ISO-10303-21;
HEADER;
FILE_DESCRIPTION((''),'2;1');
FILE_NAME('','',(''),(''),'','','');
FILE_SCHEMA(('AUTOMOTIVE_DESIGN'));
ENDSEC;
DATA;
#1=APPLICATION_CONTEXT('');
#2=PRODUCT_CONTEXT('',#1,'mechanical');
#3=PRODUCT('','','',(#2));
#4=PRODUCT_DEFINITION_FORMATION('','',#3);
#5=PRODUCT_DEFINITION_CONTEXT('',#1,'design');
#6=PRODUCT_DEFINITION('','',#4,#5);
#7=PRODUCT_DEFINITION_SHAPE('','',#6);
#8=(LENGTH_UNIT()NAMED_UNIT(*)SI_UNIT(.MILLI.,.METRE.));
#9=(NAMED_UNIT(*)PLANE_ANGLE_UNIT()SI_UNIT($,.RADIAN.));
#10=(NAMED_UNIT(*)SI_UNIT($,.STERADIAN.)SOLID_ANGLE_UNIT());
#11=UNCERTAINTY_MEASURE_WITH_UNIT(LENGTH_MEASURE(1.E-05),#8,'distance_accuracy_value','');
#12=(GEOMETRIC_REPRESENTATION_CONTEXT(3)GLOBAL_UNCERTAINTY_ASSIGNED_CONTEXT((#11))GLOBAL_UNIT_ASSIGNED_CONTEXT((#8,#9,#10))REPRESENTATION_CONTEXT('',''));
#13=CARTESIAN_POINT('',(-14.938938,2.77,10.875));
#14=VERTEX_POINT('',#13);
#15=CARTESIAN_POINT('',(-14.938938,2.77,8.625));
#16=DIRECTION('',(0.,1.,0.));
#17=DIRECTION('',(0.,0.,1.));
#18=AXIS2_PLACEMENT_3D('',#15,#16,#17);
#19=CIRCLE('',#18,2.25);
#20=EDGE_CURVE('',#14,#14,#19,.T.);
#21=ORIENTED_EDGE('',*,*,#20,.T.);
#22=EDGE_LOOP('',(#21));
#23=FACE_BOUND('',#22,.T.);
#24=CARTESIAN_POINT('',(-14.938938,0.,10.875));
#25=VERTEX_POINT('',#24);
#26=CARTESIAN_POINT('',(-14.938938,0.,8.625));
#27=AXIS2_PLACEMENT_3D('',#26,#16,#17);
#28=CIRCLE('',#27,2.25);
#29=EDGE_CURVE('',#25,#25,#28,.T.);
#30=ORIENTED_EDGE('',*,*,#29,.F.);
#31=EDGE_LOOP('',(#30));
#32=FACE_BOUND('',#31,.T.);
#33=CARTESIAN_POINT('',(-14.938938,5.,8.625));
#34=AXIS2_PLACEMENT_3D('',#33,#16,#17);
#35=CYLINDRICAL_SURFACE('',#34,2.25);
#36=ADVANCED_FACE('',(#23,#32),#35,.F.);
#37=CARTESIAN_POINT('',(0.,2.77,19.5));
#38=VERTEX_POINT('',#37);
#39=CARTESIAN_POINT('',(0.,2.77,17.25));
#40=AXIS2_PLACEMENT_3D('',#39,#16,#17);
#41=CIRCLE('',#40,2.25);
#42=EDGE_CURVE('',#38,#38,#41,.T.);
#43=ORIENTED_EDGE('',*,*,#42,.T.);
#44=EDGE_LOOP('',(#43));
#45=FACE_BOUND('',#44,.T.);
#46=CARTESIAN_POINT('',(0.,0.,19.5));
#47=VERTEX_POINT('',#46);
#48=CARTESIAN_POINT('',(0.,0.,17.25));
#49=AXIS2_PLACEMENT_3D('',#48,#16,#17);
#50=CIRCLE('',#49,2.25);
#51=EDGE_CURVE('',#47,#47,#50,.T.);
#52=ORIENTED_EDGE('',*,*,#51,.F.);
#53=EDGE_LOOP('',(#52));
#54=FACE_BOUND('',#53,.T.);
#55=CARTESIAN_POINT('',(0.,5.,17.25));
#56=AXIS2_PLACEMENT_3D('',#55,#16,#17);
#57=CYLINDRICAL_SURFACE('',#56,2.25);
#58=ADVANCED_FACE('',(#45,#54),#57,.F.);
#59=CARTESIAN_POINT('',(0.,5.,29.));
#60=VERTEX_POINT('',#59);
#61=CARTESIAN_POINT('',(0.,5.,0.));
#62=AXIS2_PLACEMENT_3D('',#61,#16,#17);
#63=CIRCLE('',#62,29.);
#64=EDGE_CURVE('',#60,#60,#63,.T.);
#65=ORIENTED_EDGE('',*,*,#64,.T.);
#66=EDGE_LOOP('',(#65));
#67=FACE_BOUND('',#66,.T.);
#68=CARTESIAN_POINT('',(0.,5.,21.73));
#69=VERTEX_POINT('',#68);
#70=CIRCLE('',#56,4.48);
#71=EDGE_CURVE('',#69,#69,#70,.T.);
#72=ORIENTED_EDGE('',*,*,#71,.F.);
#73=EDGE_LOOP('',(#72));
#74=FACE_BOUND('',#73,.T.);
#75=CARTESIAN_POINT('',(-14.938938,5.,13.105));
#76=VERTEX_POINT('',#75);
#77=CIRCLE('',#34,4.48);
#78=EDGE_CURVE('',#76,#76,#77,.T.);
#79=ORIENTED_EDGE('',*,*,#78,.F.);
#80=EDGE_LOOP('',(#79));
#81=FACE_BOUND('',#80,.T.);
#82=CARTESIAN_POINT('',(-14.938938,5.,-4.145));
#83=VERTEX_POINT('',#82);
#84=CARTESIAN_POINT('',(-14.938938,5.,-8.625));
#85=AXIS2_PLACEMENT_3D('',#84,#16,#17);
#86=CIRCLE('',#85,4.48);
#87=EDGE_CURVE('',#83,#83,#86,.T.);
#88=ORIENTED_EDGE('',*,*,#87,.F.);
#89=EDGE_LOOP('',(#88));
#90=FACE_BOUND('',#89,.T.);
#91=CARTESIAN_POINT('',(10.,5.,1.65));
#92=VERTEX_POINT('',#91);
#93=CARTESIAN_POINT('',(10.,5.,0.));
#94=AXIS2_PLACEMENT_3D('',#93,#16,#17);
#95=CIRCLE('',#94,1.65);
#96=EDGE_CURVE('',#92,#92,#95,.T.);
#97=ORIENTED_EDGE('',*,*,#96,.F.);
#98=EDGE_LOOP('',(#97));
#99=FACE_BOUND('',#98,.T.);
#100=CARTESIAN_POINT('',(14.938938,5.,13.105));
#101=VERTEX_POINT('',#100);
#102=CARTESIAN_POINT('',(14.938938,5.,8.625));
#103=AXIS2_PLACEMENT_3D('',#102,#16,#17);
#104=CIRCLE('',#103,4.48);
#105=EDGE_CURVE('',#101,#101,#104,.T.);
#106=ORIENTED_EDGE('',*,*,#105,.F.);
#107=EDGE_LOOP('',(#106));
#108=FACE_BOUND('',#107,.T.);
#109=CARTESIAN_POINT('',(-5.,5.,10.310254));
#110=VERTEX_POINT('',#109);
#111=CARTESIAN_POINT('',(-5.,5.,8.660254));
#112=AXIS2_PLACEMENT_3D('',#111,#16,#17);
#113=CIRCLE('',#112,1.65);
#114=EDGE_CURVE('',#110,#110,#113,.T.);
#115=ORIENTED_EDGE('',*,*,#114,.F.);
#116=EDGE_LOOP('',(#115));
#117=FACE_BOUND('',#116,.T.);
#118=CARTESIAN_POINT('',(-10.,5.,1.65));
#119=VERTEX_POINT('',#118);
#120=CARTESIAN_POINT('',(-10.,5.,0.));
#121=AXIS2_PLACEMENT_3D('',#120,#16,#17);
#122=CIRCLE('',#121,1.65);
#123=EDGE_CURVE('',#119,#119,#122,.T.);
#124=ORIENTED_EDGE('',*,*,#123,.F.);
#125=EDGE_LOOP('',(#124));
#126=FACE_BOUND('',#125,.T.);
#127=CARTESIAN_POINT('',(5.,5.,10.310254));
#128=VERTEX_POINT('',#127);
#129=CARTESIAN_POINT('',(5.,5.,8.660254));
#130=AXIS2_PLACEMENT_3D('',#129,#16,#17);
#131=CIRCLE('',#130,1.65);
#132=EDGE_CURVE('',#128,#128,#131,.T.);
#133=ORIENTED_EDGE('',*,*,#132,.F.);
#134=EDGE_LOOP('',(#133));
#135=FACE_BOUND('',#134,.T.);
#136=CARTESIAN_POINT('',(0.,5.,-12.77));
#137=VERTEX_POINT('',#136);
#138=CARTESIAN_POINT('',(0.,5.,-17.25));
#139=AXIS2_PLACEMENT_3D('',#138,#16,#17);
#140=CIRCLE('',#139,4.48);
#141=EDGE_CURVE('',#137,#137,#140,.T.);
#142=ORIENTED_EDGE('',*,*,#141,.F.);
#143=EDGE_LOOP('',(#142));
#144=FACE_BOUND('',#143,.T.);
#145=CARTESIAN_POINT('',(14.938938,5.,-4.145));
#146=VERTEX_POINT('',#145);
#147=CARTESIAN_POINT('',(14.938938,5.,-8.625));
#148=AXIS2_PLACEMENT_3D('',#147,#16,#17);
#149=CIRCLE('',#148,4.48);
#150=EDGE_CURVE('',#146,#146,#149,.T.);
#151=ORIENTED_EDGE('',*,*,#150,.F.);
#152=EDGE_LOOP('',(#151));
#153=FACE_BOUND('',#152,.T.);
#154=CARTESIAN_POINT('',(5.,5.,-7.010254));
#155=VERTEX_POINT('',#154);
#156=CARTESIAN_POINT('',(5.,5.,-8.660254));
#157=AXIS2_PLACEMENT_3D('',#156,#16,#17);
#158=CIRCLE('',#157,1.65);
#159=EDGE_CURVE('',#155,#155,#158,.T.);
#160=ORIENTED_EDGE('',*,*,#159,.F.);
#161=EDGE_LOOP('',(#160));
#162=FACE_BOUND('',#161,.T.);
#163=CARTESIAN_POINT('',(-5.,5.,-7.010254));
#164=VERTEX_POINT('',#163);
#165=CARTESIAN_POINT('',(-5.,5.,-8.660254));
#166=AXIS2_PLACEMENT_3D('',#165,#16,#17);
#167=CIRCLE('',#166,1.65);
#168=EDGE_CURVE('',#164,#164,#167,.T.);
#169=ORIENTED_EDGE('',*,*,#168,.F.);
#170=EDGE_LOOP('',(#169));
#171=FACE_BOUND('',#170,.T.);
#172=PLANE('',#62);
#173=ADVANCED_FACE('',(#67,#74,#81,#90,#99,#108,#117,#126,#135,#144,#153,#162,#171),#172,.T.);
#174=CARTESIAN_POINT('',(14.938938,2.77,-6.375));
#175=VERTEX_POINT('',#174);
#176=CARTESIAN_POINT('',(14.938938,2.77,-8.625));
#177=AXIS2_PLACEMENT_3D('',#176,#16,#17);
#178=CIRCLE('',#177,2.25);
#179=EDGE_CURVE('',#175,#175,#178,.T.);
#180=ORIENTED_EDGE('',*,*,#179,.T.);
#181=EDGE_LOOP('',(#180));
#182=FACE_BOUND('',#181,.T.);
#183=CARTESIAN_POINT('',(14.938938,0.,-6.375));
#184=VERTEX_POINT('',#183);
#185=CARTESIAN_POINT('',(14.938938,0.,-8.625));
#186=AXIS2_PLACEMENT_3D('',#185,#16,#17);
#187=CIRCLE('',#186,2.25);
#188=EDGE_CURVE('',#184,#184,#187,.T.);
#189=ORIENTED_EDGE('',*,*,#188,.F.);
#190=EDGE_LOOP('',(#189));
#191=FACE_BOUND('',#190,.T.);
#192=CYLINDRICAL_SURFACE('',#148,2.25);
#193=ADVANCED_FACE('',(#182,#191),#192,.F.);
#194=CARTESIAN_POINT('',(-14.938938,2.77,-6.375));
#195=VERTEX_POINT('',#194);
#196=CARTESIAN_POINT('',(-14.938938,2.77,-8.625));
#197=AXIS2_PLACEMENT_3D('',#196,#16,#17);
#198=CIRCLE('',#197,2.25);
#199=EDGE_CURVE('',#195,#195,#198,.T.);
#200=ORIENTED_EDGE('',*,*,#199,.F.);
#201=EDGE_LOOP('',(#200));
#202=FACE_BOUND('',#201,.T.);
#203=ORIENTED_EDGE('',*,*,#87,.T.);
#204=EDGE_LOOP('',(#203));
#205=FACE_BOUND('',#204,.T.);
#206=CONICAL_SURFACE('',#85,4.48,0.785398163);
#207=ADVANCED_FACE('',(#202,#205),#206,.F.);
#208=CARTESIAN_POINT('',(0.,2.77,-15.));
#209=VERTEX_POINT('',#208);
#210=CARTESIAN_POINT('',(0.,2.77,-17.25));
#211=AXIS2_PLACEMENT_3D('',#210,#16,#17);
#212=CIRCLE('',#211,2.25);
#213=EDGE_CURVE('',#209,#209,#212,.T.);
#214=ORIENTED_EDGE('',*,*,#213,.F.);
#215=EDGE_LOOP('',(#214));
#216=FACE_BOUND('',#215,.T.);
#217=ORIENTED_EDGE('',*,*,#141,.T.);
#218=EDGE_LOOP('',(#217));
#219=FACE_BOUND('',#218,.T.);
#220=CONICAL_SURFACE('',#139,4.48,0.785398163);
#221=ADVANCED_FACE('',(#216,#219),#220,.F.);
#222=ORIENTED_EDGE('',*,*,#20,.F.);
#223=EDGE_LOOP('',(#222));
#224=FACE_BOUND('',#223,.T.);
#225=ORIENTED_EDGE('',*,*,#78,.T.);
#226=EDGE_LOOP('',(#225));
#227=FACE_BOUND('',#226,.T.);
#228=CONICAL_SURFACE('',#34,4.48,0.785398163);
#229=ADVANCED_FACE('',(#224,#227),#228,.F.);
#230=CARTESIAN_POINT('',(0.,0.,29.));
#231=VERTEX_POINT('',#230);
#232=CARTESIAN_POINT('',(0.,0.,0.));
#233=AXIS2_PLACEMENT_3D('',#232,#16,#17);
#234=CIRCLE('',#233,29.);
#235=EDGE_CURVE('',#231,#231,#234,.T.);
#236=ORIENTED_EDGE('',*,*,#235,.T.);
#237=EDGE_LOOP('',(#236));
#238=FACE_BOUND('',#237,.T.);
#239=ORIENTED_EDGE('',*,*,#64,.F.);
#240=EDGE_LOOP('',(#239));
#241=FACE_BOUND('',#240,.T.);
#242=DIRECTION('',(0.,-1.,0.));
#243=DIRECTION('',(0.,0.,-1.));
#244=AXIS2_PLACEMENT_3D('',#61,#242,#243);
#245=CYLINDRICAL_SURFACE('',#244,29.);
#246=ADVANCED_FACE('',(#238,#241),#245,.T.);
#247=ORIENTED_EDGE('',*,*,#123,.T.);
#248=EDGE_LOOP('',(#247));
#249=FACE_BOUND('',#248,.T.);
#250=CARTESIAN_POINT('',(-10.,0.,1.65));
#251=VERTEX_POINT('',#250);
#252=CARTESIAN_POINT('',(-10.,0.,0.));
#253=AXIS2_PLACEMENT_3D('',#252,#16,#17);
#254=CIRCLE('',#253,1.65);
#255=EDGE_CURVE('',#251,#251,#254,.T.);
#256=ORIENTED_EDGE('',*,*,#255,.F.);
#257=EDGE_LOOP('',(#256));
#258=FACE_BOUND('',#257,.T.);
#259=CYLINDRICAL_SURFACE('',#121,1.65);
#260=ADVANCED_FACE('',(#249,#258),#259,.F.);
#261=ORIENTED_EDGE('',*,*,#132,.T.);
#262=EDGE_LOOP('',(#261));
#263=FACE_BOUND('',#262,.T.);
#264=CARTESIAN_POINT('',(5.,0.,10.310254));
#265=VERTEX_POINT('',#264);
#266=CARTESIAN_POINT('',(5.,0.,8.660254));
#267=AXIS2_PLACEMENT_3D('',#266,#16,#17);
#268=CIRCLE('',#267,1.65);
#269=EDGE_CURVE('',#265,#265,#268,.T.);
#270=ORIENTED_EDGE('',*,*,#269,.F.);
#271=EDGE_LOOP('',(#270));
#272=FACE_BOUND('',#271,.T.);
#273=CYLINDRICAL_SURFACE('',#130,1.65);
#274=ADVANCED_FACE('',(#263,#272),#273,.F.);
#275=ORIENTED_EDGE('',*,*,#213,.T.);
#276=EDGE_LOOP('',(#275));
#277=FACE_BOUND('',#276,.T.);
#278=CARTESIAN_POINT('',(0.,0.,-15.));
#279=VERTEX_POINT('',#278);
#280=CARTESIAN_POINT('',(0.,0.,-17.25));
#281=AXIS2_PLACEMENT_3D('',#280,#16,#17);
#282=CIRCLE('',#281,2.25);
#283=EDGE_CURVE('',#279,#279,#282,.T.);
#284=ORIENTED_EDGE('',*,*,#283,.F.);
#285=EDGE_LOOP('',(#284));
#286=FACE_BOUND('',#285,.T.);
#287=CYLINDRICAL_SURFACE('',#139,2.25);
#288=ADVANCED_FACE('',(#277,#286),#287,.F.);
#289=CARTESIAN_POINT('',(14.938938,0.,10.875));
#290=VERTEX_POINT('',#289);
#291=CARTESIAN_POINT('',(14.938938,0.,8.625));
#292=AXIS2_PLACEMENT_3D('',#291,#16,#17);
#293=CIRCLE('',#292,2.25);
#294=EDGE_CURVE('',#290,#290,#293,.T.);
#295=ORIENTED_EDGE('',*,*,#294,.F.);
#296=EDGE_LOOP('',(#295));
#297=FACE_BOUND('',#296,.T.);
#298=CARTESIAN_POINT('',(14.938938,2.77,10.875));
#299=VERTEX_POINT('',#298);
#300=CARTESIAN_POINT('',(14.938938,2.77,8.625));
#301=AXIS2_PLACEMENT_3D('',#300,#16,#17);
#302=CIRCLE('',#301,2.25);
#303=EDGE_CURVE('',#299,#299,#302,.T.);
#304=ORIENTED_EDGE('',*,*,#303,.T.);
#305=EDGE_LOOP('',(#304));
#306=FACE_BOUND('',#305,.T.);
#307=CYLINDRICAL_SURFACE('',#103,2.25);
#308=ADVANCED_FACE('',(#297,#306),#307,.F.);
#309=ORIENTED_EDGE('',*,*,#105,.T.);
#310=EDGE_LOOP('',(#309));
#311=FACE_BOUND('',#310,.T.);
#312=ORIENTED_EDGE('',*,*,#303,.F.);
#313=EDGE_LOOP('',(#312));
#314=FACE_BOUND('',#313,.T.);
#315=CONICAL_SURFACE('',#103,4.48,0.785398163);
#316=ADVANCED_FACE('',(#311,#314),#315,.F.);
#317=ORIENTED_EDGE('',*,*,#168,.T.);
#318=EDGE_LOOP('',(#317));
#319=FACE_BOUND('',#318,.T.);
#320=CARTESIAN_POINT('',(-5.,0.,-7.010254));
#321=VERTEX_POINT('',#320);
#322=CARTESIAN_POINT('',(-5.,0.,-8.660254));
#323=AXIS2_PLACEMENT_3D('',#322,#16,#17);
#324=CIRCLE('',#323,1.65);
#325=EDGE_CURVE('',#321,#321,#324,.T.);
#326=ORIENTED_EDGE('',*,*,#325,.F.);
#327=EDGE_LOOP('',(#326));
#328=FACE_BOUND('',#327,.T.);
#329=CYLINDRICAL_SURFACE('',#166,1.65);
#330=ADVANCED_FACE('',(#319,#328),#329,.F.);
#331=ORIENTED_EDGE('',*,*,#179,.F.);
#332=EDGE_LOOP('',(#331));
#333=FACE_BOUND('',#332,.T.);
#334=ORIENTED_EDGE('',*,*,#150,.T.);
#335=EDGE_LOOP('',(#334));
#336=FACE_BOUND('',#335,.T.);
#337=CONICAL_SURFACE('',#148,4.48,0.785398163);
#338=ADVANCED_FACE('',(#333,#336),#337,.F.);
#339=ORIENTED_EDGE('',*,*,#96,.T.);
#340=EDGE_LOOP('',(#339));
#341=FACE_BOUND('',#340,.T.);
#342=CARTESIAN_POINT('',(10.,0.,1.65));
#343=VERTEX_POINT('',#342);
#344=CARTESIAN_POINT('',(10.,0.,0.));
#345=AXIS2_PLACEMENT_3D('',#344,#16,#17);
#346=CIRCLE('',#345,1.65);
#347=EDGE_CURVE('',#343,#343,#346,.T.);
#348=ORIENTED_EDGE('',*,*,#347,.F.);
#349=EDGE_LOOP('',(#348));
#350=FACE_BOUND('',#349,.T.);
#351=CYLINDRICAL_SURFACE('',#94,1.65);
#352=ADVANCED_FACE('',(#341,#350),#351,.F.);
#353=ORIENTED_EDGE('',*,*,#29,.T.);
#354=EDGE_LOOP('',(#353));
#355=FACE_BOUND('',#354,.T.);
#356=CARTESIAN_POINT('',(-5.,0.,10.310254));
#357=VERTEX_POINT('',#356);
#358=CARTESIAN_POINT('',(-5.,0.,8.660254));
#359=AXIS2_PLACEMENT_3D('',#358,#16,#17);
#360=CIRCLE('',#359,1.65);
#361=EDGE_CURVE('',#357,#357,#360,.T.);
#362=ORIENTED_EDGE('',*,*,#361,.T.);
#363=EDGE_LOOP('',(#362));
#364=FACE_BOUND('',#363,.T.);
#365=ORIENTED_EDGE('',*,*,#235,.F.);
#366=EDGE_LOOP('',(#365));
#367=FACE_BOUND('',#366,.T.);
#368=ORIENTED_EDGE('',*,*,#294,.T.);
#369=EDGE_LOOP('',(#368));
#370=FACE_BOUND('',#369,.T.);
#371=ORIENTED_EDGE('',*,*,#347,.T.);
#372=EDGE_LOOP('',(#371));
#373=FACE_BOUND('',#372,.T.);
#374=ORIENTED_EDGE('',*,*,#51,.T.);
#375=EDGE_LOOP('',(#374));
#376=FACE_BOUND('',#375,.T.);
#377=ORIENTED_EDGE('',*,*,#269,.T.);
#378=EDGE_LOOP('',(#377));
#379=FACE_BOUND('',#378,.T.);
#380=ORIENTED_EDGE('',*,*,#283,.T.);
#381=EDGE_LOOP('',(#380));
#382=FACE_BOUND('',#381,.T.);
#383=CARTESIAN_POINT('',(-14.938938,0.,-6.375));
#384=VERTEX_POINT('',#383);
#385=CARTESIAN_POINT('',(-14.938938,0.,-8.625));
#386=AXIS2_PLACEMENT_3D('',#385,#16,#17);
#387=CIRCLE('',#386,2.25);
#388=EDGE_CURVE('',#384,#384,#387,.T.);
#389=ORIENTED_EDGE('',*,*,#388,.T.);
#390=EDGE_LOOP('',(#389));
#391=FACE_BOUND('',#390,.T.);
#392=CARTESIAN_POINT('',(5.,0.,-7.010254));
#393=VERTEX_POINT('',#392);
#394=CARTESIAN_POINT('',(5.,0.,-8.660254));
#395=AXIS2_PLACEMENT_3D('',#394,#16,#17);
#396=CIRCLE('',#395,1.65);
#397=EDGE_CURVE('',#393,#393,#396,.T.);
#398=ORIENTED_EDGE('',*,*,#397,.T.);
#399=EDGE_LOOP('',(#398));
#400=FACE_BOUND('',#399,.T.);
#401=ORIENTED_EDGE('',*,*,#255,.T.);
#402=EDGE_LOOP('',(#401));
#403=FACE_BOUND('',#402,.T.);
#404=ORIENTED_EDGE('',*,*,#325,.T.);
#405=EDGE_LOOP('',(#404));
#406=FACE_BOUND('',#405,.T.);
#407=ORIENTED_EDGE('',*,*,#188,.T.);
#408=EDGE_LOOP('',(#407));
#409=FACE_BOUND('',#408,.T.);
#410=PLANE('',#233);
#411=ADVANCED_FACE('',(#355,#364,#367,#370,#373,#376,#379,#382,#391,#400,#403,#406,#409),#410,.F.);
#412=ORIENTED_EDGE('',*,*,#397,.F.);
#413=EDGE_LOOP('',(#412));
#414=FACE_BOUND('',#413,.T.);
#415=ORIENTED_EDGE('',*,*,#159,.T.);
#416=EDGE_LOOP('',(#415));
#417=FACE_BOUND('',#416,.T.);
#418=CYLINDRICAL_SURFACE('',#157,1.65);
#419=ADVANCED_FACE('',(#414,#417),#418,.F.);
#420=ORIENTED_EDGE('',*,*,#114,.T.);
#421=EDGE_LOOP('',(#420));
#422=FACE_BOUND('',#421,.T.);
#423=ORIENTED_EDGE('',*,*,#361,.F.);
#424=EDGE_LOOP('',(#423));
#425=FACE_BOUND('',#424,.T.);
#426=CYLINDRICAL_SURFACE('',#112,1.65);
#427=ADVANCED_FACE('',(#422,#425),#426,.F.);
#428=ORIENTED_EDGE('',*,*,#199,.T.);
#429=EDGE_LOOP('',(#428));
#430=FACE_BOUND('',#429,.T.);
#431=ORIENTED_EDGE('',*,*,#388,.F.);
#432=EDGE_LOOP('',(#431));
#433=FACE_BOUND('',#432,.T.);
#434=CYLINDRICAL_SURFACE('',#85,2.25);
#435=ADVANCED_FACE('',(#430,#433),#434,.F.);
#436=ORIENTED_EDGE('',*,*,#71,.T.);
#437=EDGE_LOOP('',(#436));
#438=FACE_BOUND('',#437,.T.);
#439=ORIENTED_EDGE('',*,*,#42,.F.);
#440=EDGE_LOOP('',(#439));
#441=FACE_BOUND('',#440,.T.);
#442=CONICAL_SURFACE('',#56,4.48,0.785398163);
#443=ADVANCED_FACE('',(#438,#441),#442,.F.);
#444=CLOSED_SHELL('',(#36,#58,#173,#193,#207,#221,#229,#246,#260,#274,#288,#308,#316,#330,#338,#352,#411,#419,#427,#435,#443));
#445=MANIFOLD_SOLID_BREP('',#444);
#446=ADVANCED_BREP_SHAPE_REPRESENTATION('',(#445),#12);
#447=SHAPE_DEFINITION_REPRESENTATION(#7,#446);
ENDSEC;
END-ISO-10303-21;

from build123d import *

# Parameters (mm, degrees)
SKIZZE1_R                                            = 29
AUFSATZ_LINEAR_AUSTRAGEN1_DEPTH                      = 5
FORMSENKUNG_F_R_M4_SENKSCHRAUBE_MIT_INNE_D           = 4.5
FORMSENKUNG_F_R_M4_SENKSCHRAUBE_MIT_INNE_CSINK_D     = 8.96
FORMSENKUNG_F_R_M4_SENKSCHRAUBE_MIT_INNE_CSINK_ANGLE = 90
M4_GEWINDEBOHRUNG1_D                                 = 3.3


with BuildPart() as part:
    # Skizze1 → Aufsatz-Linear austragen1 (new body)
    with BuildSketch(Plane(origin=(0, 0, 0), x_dir=(1, 0, 0), z_dir=(0, 1, 0))):
        with Locations(Location((0, 0, 0), (0, 0, 270))):
            Circle(SKIZZE1_R)
    extrude(amount=AUFSATZ_LINEAR_AUSTRAGEN1_DEPTH)

    # Formsenkung für M4 Senkschraube mit Innensechskant1 (through all)
    with Locations(Plane(origin=(0, 5, 0), x_dir=(1, 0, 0), z_dir=(0, 1, 0))):
        with Locations((-14.938938215, 8.625), (0, 17.25), (14.938938215, 8.625), (14.938938215, -8.625), (0, -17.25), (-14.938938215, -8.625)):
            CounterSinkHole(FORMSENKUNG_F_R_M4_SENKSCHRAUBE_MIT_INNE_D / 2, FORMSENKUNG_F_R_M4_SENKSCHRAUBE_MIT_INNE_CSINK_D / 2, counter_sink_angle=FORMSENKUNG_F_R_M4_SENKSCHRAUBE_MIT_INNE_CSINK_ANGLE)

    # M4 Gewindebohrung1 (through all)
    with Locations(Plane(origin=(0, 5, 0), x_dir=(1, 0, 0), z_dir=(0, 1, 0))):
        with Locations((-10, 0), (-5, 8.660254038), (5, 8.660254038), (10, 0), (5, -8.660254038), (-5, -8.660254038)):
            Hole(M4_GEWINDEBOHRUNG1_D / 2)


solid = part.part
